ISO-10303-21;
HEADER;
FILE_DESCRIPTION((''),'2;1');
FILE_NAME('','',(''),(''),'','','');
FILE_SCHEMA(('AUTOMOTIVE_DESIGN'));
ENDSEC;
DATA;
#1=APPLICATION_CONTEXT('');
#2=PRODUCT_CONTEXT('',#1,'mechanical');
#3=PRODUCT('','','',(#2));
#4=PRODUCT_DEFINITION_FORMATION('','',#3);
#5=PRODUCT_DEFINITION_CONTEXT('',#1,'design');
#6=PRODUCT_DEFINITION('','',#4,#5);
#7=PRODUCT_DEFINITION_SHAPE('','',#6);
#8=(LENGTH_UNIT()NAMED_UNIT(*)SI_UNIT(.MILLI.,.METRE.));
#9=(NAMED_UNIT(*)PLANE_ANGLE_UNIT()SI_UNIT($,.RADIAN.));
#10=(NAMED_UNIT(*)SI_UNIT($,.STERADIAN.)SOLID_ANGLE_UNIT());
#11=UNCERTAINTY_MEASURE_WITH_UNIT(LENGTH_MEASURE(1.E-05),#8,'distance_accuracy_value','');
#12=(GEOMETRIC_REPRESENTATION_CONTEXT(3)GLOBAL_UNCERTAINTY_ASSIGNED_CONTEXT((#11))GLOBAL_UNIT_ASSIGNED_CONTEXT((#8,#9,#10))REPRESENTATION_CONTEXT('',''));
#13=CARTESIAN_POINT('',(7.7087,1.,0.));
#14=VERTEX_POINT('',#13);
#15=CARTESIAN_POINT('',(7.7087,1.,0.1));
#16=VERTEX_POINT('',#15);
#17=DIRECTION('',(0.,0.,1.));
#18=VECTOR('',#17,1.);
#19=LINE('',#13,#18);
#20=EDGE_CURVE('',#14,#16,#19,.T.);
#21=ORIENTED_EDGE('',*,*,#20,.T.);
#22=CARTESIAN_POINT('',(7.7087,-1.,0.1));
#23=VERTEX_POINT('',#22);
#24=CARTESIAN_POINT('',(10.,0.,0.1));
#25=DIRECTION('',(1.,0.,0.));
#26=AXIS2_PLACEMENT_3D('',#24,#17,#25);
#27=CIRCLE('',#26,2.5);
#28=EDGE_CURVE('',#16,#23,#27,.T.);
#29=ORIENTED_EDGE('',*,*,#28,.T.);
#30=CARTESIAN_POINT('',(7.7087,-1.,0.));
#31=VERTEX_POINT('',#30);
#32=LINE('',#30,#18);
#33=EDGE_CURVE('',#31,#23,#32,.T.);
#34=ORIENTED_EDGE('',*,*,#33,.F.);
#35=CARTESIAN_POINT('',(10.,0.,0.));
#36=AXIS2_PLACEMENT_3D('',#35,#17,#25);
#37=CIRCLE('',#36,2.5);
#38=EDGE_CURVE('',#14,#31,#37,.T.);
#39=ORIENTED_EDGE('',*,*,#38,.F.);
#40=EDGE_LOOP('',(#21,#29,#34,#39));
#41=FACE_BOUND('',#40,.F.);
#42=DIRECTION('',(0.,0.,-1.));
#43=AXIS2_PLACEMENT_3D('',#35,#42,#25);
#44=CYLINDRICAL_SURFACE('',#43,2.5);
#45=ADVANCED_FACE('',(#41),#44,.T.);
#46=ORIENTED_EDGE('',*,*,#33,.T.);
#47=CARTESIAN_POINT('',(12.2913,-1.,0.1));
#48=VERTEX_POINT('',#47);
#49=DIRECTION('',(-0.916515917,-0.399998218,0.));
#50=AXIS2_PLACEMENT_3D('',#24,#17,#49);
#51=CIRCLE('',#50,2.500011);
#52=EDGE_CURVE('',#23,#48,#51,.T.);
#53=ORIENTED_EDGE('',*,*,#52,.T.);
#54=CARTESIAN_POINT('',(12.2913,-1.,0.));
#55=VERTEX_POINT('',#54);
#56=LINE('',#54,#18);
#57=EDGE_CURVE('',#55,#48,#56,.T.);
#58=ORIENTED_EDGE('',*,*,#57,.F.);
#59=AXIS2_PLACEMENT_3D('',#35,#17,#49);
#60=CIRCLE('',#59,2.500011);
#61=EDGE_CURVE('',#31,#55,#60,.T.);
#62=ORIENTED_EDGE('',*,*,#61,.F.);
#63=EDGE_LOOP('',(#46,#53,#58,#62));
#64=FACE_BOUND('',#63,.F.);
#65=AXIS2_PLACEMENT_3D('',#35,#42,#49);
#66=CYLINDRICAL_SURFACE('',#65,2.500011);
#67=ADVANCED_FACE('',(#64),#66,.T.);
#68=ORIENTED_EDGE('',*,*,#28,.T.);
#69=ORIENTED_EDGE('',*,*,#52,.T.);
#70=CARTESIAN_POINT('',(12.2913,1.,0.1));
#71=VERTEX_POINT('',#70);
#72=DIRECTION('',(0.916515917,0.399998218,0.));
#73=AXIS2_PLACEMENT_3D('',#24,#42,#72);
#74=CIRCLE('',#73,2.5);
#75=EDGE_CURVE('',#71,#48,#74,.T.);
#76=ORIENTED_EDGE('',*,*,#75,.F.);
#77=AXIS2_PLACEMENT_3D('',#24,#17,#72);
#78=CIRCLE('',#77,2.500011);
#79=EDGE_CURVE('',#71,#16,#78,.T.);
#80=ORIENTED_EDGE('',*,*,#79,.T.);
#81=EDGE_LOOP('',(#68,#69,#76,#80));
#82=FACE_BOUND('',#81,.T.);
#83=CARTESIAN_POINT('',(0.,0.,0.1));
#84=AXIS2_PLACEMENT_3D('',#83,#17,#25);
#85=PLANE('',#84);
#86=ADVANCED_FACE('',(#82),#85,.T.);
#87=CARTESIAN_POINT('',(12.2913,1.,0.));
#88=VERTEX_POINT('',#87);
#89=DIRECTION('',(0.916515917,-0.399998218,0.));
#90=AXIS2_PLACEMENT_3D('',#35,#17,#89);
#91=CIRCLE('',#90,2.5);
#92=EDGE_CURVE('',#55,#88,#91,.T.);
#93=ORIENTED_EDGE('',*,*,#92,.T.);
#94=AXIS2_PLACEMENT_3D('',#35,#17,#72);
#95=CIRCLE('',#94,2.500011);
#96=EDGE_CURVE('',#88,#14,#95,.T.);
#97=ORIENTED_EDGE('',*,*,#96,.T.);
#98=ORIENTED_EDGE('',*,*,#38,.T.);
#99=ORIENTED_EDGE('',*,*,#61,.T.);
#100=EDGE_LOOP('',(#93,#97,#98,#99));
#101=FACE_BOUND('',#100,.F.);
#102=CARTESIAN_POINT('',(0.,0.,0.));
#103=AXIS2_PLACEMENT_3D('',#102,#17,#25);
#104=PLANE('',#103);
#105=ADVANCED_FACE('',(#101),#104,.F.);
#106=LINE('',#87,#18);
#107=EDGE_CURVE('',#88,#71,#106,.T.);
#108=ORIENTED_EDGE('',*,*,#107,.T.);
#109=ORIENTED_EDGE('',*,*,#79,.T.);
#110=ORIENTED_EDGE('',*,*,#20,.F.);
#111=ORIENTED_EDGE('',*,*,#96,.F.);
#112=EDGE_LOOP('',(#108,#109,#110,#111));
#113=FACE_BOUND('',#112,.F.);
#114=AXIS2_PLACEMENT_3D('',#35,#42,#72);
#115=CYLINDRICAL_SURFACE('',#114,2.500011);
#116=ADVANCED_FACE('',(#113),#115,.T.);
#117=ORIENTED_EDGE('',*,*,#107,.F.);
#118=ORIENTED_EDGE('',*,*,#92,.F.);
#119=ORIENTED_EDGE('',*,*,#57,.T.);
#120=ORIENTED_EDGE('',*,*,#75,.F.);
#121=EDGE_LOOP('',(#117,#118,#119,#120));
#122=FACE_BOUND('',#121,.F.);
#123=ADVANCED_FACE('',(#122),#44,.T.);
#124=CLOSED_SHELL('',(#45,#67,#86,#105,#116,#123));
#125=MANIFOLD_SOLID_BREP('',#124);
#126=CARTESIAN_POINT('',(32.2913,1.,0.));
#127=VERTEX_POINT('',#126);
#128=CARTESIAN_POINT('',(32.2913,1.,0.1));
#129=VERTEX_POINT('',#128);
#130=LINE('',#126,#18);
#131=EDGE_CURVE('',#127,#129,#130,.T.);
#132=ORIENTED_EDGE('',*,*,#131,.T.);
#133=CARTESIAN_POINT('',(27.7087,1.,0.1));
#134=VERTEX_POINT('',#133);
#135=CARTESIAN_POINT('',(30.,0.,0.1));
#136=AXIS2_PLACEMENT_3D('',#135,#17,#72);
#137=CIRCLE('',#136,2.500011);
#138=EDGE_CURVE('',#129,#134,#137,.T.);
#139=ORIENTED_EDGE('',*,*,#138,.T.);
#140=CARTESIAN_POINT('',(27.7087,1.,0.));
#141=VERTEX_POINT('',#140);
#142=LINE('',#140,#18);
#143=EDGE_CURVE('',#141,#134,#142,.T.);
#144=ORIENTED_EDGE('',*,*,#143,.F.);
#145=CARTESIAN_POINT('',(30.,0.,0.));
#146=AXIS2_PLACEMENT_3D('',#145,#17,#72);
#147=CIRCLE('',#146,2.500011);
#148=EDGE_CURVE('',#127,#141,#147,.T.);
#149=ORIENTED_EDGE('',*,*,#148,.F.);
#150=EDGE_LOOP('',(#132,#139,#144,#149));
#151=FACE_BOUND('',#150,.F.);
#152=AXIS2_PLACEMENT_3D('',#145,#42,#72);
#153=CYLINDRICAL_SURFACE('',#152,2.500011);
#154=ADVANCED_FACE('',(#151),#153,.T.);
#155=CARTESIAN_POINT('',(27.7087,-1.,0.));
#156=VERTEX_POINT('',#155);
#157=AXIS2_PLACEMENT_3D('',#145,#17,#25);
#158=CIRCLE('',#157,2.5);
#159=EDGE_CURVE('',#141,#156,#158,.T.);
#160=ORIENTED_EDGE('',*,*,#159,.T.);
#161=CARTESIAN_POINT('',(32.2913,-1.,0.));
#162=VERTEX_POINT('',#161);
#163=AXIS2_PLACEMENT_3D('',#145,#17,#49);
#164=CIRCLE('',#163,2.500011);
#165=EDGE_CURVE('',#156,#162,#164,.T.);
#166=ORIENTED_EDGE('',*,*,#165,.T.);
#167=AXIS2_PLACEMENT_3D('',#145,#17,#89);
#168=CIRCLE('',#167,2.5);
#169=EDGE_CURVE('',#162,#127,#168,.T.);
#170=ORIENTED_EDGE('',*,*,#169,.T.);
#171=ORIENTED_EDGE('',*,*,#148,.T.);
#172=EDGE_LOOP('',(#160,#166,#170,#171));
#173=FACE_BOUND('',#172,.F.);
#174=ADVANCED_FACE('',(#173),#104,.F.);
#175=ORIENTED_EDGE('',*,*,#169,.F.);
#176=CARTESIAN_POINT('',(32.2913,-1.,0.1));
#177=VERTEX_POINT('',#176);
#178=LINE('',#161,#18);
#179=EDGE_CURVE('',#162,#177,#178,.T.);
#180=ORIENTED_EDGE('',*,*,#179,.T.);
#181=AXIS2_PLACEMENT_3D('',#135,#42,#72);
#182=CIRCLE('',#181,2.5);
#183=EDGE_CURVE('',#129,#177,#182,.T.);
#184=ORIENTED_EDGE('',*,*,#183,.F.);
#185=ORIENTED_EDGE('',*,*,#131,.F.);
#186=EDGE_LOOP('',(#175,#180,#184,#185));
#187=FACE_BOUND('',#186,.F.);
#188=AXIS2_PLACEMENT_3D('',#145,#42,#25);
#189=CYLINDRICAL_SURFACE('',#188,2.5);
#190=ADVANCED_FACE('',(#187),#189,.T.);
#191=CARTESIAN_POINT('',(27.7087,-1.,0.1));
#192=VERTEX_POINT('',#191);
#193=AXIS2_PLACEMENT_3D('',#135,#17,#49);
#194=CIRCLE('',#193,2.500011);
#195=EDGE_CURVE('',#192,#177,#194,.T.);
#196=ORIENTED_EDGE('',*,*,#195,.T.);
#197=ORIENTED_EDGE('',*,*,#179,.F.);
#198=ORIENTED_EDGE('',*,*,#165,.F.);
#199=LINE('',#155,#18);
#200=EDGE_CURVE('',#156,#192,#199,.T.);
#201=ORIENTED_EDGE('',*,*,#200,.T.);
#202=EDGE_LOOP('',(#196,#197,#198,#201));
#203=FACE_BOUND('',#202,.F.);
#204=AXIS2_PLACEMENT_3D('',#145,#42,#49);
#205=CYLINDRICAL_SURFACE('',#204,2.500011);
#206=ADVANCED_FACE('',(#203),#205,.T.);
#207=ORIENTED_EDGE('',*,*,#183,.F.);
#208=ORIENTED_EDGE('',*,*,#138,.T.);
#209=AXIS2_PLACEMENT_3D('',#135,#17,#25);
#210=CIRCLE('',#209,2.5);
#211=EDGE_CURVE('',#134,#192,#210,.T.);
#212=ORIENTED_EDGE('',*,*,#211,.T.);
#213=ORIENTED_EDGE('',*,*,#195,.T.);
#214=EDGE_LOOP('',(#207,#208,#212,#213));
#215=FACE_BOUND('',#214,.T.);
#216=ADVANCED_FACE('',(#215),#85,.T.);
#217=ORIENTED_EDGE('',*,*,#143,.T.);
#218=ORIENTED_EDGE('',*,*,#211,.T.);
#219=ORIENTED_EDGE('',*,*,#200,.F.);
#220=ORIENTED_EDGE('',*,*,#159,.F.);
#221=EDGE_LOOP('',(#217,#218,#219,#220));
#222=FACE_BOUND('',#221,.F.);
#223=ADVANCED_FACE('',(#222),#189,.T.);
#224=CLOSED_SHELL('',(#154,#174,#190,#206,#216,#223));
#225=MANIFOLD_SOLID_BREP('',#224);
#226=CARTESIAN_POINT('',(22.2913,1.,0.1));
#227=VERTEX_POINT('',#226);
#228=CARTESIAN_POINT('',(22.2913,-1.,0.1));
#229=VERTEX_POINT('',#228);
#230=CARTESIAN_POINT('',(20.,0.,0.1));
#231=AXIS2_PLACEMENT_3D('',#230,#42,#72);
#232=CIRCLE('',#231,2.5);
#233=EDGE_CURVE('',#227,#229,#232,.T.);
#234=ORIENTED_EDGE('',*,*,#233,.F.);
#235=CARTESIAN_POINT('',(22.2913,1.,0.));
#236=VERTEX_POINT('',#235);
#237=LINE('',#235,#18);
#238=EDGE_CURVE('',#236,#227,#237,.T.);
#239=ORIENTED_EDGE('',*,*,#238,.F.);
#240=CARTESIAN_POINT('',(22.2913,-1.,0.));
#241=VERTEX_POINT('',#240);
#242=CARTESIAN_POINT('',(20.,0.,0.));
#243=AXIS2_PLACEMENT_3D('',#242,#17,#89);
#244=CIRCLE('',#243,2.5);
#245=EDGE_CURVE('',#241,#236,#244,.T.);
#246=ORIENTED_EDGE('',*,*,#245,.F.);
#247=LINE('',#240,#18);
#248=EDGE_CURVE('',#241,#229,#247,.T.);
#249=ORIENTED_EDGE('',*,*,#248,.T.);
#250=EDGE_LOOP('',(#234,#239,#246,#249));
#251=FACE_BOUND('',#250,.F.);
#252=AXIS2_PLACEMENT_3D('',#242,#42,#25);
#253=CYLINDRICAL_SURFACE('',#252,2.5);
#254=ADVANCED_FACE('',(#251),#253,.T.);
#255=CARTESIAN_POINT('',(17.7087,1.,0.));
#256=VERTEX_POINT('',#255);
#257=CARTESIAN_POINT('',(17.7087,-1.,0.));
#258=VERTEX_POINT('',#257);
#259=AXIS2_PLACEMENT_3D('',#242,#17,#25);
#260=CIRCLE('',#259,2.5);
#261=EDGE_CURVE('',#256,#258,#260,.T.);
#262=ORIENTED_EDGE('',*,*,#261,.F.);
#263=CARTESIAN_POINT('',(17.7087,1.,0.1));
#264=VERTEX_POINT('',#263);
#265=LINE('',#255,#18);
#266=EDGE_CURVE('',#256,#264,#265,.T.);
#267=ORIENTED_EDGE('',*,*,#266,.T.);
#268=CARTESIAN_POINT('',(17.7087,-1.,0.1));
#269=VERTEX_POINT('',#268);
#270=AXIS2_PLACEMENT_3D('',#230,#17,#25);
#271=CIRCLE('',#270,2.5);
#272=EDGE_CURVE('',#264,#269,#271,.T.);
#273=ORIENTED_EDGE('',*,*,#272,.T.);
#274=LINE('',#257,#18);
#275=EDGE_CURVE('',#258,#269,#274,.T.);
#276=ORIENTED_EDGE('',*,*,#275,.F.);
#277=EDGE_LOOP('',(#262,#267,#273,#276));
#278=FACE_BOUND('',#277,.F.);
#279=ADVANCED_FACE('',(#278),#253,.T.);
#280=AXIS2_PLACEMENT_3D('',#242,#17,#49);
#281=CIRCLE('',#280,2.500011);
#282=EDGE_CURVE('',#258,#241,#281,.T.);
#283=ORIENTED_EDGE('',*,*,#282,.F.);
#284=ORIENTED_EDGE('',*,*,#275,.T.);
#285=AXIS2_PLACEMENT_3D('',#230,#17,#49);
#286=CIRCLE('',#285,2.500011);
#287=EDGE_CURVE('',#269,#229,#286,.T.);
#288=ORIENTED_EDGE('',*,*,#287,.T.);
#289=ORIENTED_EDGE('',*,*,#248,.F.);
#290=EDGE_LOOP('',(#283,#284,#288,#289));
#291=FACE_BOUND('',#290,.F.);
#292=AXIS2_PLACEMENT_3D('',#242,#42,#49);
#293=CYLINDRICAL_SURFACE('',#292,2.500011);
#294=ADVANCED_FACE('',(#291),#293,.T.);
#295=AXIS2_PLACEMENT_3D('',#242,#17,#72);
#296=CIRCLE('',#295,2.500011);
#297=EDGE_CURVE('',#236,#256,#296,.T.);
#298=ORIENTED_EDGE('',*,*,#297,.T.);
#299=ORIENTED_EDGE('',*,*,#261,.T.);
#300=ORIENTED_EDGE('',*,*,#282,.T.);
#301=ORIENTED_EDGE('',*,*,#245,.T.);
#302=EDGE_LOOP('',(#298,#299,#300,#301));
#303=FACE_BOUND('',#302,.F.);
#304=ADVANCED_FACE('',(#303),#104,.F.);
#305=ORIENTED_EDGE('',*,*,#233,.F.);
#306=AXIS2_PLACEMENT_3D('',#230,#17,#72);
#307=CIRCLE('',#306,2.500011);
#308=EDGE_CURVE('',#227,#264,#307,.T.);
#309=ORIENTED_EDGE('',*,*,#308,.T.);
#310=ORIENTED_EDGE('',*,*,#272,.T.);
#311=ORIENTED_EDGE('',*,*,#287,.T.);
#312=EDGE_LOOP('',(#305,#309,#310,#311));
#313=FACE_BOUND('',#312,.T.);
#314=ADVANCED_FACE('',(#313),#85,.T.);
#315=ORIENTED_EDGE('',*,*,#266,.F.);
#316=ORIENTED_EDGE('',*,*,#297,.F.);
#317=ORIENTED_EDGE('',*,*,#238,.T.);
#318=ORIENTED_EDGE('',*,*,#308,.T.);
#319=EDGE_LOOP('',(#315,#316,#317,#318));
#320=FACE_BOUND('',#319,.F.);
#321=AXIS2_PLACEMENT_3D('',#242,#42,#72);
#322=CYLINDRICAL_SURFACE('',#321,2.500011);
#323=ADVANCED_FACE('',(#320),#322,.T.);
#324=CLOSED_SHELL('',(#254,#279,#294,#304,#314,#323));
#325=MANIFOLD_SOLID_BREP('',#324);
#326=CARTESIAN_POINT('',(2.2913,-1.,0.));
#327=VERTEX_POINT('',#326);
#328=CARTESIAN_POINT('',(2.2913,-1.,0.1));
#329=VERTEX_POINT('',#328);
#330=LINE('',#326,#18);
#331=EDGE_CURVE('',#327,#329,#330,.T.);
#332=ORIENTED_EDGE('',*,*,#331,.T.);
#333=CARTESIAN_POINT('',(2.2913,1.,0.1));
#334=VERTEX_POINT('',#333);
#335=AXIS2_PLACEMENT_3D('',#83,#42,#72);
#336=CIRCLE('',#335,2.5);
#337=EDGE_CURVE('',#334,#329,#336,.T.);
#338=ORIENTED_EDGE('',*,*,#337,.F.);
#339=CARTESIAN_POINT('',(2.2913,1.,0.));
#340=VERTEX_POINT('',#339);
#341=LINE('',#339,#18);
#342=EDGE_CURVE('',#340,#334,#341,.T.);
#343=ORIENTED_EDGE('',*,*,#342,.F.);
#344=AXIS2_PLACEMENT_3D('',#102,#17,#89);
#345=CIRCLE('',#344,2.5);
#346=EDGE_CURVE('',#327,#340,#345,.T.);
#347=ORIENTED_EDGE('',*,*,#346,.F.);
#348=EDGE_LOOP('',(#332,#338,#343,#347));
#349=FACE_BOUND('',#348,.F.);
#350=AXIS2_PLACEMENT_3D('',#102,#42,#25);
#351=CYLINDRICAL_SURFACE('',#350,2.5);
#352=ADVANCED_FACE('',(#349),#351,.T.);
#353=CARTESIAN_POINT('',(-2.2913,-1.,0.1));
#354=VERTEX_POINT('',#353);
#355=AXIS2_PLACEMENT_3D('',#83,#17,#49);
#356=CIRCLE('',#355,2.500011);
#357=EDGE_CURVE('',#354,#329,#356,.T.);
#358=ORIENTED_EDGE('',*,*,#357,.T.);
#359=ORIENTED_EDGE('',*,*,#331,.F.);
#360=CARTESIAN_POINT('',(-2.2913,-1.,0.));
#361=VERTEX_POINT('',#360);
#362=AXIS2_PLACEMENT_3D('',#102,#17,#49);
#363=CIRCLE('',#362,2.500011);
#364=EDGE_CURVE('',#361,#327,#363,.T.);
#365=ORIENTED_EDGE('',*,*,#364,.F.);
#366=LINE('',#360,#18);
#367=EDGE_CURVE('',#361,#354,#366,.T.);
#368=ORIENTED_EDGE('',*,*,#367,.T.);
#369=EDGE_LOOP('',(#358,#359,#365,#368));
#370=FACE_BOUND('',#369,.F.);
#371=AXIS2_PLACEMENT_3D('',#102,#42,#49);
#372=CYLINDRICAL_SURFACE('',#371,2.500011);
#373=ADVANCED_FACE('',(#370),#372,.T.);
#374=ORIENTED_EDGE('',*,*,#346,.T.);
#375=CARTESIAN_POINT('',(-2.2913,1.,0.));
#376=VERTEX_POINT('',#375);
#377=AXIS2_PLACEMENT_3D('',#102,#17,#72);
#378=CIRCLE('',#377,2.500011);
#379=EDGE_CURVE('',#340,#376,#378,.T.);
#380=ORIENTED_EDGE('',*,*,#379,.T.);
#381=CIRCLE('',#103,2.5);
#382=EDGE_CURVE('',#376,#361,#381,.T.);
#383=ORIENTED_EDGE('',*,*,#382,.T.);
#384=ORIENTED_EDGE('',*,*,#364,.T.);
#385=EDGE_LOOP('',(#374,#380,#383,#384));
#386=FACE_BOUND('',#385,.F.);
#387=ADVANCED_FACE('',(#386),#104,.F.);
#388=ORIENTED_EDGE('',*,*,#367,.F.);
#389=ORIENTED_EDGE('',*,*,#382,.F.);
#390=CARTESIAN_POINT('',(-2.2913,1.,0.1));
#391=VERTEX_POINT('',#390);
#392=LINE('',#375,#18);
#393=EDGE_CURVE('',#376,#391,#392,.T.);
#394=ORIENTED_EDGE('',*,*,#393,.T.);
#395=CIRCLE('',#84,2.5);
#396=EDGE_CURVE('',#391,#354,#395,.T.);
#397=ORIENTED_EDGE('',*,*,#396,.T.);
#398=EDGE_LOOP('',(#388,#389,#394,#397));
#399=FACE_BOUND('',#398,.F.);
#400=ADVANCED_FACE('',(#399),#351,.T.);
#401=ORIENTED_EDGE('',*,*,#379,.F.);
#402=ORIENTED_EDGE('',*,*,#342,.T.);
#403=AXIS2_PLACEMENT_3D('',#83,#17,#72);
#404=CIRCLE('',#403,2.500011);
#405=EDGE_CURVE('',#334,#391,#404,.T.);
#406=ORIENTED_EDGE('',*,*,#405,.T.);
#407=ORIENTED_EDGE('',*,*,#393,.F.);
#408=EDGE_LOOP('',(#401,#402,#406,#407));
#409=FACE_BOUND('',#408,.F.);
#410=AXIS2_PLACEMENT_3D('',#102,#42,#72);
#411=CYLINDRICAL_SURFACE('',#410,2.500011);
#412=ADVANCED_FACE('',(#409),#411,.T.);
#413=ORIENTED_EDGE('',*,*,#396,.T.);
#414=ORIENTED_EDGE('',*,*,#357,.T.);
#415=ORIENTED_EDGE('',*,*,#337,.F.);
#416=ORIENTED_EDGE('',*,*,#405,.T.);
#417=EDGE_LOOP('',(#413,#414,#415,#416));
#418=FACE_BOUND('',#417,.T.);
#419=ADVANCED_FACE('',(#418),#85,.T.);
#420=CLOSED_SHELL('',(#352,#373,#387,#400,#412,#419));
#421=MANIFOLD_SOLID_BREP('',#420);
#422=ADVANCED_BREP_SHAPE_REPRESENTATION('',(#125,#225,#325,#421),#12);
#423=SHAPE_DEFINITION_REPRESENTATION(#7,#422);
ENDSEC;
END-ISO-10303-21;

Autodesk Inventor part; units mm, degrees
ref_plane "YZ Plane" through (0, 0, 0) normal (1, 0, 0) x (0, 1, 0)
ref_plane "XZ Plane" through (0, 0, 0) normal (0, 1, 0) x (-1, 0, 0)
ref_plane "XY Plane" through (0, 0, 0) normal (0, 0, 1) x (1, 0, 0)
sketch "Sketch1" plane through (0, 0, 0) normal (0, 0, 1) x (1, 0, 0)
  arc A0 (32.2913, 1) -> (27.7087, 1) centre (30, 0) ccw
  line L0 (32.2913, 1) -> (37.5, 1)
  line L1 (37.5, 1) -> (37.5, -1)
  line L2 (37.5, -1) -> (32.2913, -1)
  arc A1 (27.7087, -1) -> (32.2913, -1) centre (30, 0) ccw
  line L3 (27.7087, -1) -> (22.2913, -1)
  arc A2 (17.7087, -1) -> (22.2913, -1) centre (20, 0) ccw
  line L4 (17.7087, -1) -> (12.2913, -1)
  arc A3 (7.7087, -1) -> (12.2913, -1) centre (10, 0) ccw
  line L5 (7.7087, -1) -> (2.2913, -1)
  arc A4 (-2.2913, -1) -> (2.2913, -1) centre (0, 0) ccw
  line L6 (-2.2913, -1) -> (-7.5, -1)
  line L7 (-7.5, -1) -> (-7.5, 1)
  line L8 (-7.5, 1) -> (-2.2913, 1)
  arc A5 (2.2913, 1) -> (-2.2913, 1) centre (0, 0) ccw
  line L9 (2.2913, 1) -> (7.7087, 1)
  arc A6 (12.2913, 1) -> (7.7087, 1) centre (10, 0) ccw
  line L10 (12.2913, 1) -> (17.7087, 1)
  arc A7 (22.2913, 1) -> (17.7087, 1) centre (20, 0) ccw
  line L11 (22.2913, 1) -> (27.7087, 1)
  circle A8 centre (30, 0) radius 2
  circle A9 centre (10, 0) radius 2
  circle A10 centre (0, 0) radius 2
  circle A11 centre (20, 0) radius 2
  circle A12 centre (0, 0) radius 2.5
  circle A13 centre (10, 0) radius 2.5
  circle A14 centre (20, 0) radius 2.5
  circle A15 centre (30, 0) radius 2.5
  point P0 (32.2913, 1)
  point P1 (27.7087, -1)
  point P2 (27.7087, 1)
  point P3 (22.2913, 1)
  point P4 (17.7087, -1)
  point P5 (12.2913, 1)
  point P6 (7.7087, 1)
  point P7 (7.7087, 1)
  point P8 (12.2913, 1)
  point P9 (17.7087, -1)
  point P10 (22.2913, 1)
  point P11 (27.7087, 1)
  point P12 (27.7087, -1)
  point P13 (32.2913, 1)
extrude "Extrusion2" add sketch "Sketch1" along normal blind 0.1 contours A12 A4 A5 | A10
extrude "Extrusion3" add sketch "Sketch1" along normal blind 0.1 contours A13 A3 A6 | A9
extrude "Extrusion4" add sketch "Sketch1" along normal blind 0.1 contours A14 A2 A7 | A11
extrude "Extrusion5" add sketch "Sketch1" along normal blind 0.1 contours A15 A1 A0 | A8
properties part number "LED_colorer"
